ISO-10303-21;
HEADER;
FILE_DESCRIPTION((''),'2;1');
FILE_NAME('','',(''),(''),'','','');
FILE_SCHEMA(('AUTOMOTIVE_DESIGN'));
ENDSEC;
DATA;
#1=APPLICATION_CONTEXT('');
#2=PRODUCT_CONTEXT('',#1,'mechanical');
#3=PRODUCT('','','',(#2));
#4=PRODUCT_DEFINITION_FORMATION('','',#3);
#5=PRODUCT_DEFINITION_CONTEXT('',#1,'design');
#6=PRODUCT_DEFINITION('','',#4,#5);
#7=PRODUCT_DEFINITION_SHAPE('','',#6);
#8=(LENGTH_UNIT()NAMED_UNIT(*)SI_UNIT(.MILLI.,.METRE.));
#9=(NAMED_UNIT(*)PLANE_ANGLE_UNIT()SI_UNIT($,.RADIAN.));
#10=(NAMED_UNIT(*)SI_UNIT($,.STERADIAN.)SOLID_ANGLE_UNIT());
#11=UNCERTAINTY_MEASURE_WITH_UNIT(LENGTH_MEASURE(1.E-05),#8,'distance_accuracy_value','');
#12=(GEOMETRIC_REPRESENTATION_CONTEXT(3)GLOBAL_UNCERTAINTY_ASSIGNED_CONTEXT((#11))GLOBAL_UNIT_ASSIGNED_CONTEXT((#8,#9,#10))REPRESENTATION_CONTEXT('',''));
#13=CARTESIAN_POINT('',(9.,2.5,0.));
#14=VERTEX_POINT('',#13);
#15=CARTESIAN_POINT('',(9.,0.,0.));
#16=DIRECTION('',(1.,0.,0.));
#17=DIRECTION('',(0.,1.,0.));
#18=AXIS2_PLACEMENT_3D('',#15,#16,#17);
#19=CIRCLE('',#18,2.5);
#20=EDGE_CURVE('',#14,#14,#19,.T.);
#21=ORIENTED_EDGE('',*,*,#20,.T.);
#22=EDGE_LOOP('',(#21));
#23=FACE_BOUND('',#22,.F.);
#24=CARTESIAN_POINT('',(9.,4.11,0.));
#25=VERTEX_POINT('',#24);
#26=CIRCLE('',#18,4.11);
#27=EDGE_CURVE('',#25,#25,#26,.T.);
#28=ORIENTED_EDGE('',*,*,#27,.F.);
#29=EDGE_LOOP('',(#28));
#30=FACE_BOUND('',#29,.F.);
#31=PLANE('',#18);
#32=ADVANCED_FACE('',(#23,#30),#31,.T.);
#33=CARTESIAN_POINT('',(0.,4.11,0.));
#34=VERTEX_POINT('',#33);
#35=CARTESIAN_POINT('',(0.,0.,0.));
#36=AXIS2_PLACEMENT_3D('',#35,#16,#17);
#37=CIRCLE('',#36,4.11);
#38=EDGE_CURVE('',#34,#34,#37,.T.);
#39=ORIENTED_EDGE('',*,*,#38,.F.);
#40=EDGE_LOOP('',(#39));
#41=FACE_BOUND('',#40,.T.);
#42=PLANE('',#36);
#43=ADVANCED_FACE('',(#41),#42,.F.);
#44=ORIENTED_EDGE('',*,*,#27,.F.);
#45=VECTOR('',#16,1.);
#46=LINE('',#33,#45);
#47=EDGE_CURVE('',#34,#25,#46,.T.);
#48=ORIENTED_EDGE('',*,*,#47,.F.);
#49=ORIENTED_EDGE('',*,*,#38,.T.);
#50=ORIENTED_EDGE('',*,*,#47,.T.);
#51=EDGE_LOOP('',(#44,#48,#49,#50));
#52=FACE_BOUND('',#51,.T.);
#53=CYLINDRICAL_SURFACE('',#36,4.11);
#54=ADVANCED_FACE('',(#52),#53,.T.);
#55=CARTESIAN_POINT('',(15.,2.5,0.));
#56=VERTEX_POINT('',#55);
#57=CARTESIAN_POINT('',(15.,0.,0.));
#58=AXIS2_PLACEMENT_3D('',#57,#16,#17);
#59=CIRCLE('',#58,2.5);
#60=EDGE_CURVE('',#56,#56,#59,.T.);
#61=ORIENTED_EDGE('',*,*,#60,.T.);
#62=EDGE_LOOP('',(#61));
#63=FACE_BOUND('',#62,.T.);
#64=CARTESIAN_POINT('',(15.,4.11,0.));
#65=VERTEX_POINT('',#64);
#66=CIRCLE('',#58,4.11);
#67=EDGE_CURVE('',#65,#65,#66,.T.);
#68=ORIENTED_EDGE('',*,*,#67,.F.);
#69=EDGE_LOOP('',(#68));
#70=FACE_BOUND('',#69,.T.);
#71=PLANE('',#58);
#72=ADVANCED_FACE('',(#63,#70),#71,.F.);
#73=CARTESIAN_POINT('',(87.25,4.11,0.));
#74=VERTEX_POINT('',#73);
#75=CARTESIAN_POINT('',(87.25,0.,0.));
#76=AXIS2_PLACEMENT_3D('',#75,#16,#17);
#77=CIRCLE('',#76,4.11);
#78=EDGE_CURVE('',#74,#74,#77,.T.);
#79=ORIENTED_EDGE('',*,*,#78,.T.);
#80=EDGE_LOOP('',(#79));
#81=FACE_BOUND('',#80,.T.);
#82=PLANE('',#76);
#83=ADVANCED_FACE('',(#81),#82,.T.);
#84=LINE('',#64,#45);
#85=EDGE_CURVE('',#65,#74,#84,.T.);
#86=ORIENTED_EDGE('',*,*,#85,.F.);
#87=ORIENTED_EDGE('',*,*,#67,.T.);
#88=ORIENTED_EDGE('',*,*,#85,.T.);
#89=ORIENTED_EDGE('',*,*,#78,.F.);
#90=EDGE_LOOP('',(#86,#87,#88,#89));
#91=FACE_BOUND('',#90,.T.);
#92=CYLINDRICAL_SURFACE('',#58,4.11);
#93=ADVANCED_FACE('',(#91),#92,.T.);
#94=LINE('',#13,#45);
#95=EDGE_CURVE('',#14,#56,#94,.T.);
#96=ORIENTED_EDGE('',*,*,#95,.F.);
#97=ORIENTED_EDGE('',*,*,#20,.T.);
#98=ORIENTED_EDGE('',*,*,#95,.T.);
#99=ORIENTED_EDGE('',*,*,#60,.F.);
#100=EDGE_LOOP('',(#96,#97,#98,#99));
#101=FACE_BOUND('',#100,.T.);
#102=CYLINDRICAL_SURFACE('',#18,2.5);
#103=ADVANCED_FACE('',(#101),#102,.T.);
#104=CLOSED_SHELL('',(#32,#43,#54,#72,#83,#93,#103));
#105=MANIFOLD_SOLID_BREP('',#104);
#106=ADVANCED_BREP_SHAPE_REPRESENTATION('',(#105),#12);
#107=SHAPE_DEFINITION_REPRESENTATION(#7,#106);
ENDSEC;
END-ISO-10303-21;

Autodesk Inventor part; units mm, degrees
ref_plane "YZ Plane" through (0, 0, 0) normal (1, 0, 0) x (0, 1, 0)
ref_plane "XZ Plane" through (0, 0, 0) normal (0, 1, 0) x (-1, 0, 0)
ref_plane "XY Plane" through (0, 0, 0) normal (0, 0, 1) x (1, 0, 0)
sketch "Sketch1" plane through (0, 0, 0) normal (0, 0, 1) x (1, 0, 0)
  line L0 (0, 0) -> (0, 4.11)
  line L1 (0, 4.11) -> (9, 4.11)
  line L2 (9, 2.5) -> (9, 4.11)
  line L3 (9, 2.5) -> (15, 2.5)
  line L4 (15, 2.5) -> (15, 4.11)
  line L5 (15, 4.11) -> (87.25, 4.11)
  line L6 (0, 0) -> (87.25, 0)
  line L7 (0, 0) -> (87.25, 0)
  line L8 (87.25, 4.11) -> (87.25, 0)
  dimension "d0" = 4.11
  dimension "d1" = 9
  dimension "d3" = 6
revolve "Revolution1" add sketch "Sketch1" angle 360 about axis through (0, 0, 0) along (1, 0, 0)
properties part number "rod"
